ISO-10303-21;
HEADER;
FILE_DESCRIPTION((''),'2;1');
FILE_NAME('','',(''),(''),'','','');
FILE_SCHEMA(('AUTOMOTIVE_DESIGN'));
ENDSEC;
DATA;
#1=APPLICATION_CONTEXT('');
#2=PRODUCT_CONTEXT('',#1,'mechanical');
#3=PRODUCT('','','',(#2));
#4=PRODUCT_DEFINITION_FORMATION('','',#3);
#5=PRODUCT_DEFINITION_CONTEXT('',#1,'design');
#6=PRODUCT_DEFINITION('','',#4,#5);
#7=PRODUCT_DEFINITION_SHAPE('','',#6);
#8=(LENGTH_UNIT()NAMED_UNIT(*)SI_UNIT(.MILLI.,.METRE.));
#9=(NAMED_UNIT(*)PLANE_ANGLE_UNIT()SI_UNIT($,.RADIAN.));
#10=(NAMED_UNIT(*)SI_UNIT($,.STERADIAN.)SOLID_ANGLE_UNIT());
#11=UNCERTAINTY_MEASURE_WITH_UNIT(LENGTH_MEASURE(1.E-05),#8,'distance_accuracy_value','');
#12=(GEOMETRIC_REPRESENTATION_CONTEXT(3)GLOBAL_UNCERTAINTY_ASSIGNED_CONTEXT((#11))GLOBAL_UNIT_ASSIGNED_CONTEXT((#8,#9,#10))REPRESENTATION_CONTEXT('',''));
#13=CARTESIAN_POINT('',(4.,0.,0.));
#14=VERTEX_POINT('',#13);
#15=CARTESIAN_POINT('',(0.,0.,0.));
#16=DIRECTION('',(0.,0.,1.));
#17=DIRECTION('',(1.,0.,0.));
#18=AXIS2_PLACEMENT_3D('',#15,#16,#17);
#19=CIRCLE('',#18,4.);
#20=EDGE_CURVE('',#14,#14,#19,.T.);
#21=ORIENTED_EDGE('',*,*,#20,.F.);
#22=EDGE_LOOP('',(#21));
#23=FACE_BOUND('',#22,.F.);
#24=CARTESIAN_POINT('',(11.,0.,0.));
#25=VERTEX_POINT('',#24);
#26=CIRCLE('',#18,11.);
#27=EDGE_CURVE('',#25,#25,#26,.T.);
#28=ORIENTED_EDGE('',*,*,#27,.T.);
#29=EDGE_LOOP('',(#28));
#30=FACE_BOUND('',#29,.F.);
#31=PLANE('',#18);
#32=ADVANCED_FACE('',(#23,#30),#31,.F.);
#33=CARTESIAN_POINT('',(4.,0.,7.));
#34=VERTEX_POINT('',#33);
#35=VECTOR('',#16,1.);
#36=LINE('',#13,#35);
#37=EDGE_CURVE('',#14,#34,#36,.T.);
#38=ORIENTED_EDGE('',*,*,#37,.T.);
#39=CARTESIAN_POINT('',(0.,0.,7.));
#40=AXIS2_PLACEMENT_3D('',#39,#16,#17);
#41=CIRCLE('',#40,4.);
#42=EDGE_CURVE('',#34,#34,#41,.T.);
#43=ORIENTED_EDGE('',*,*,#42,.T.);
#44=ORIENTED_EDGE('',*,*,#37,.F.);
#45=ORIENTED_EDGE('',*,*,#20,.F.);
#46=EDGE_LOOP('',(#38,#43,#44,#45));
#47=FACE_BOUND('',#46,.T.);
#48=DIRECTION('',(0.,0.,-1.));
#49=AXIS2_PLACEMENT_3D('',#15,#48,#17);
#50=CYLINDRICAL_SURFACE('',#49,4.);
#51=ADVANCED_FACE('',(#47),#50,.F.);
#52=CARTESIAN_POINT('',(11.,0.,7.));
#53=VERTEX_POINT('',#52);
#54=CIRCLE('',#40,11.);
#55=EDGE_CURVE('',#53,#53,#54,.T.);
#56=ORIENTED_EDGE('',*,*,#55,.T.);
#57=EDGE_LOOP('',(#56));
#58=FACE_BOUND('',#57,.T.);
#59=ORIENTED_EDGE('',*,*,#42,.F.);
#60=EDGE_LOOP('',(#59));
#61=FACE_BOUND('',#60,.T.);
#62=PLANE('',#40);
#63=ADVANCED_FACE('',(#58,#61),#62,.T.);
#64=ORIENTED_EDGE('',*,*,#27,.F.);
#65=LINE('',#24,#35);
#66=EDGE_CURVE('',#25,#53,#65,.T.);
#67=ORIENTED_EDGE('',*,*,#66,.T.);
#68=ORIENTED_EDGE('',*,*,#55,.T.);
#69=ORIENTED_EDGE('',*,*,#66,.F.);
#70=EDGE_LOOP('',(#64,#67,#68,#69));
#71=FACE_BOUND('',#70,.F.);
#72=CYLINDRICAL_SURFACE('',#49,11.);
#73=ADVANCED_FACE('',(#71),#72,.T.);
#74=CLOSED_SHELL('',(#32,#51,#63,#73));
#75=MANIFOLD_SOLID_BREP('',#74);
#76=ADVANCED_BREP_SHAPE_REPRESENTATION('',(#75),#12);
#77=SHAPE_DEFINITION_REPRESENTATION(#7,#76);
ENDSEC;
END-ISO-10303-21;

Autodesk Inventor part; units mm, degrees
ref_plane "YZ Plane" through (0, 0, 0) normal (1, 0, 0) x (0, 1, 0)
ref_plane "XZ Plane" through (0, 0, 0) normal (0, 1, 0) x (-1, 0, 0)
ref_plane "XY Plane" through (0, 0, 0) normal (0, 0, 1) x (1, 0, 0)
sketch "Sketch1" plane through (0, 0, 0) normal (0, 0, 1) x (1, 0, 0)
  circle A0 centre (0, 0) radius 4
  circle A1 centre (0, 0) radius 11
  dimension "d0" = 8
  dimension "d1" = 22
extrude "Extrusion1" add sketch "Sketch1" along normal blind 7
properties part number "8mm bearing"
